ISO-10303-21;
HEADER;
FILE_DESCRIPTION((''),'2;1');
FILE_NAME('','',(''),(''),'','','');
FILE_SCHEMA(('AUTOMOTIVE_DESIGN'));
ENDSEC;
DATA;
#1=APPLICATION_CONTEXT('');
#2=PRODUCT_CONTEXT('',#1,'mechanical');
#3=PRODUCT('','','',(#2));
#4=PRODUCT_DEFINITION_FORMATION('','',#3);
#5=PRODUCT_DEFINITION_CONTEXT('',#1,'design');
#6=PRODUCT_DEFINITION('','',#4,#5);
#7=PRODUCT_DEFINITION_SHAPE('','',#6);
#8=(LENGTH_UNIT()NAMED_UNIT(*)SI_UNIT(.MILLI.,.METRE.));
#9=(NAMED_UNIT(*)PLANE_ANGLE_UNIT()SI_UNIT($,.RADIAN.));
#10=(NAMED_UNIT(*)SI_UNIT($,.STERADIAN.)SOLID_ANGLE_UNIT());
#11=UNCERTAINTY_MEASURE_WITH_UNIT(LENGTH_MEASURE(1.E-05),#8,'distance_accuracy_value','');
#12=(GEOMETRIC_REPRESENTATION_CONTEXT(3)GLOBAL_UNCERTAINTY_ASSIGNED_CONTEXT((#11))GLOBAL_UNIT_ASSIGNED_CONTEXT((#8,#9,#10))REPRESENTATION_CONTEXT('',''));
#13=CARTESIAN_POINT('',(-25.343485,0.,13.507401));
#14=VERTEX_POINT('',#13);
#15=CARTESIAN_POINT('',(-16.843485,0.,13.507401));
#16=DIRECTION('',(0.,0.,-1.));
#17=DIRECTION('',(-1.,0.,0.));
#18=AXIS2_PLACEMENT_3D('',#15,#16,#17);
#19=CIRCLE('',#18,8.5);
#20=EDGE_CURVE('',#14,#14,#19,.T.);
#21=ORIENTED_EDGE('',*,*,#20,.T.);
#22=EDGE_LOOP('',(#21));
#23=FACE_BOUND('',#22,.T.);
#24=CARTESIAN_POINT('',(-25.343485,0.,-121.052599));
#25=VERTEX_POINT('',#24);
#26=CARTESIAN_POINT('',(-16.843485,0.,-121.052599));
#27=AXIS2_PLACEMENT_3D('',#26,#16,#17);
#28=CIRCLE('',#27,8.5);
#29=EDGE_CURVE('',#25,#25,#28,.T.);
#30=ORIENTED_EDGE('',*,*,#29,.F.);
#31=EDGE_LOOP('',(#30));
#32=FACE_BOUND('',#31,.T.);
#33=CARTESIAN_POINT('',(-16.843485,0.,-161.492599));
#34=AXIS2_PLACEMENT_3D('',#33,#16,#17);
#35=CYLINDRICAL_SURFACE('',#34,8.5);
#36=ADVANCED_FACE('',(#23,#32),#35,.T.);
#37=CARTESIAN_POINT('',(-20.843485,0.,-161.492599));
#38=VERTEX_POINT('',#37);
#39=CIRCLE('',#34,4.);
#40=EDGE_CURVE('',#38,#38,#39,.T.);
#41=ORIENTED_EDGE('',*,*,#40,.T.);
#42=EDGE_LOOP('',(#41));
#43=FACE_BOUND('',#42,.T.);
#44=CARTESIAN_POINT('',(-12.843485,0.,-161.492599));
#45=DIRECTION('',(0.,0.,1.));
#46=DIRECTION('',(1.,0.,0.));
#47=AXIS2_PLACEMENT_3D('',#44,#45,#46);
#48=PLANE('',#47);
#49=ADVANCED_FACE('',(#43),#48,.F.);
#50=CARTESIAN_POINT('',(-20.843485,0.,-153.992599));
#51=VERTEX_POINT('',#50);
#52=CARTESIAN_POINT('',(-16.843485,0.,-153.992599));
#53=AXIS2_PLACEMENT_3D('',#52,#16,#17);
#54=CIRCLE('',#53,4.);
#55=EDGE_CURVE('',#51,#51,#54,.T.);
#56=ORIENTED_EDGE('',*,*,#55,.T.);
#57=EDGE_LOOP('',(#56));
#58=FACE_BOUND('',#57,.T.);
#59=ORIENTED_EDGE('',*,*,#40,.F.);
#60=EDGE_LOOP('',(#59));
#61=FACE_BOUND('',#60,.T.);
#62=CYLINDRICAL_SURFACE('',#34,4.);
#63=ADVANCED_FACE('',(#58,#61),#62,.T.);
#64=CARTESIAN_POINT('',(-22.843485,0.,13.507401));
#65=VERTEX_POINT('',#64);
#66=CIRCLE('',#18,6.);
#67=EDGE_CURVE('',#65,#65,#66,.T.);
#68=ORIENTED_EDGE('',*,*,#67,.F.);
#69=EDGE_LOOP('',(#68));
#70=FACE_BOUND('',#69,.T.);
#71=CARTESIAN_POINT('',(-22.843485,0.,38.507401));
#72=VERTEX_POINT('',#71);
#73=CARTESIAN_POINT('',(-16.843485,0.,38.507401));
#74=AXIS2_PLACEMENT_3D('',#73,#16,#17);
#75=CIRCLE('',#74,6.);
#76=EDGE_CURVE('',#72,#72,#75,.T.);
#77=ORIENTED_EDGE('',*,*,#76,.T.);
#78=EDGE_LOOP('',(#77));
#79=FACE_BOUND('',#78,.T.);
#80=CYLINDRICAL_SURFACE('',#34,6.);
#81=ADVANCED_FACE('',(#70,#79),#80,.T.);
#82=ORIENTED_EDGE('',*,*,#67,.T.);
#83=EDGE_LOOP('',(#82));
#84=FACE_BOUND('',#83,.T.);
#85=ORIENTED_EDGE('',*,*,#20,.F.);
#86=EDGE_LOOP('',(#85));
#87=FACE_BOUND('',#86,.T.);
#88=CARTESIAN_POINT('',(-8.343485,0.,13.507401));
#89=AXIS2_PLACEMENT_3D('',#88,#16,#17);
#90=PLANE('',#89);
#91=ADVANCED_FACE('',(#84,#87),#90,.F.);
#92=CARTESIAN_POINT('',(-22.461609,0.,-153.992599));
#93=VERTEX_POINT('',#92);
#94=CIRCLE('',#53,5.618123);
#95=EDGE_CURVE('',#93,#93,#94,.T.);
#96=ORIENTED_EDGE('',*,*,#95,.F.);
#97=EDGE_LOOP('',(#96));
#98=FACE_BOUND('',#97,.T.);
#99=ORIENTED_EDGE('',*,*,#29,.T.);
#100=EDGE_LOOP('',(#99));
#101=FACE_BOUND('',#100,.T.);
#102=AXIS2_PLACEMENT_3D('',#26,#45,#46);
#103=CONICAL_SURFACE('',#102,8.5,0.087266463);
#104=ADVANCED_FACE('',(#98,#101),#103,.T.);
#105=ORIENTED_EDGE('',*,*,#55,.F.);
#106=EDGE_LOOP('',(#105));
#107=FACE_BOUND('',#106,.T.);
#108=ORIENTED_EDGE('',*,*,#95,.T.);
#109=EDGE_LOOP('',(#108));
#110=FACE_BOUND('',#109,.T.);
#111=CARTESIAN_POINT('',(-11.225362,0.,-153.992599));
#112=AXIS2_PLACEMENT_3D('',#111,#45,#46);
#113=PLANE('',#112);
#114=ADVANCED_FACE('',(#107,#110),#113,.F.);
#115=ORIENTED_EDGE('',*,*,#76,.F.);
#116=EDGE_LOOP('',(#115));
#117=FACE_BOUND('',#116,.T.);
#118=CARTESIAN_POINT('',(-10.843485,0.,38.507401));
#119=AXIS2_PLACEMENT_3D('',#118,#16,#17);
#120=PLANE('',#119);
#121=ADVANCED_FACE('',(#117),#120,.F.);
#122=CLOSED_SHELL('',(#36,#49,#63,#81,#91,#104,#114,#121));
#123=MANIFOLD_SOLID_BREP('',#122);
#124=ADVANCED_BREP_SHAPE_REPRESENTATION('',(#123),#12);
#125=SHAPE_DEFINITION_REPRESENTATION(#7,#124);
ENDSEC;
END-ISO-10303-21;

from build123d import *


with BuildPart() as part:
    # Base Sketch → Revolve1 (revolve)
    with BuildSketch(Plane(origin=(0, 0, 0), x_dir=(1, 0, 0), z_dir=(0, 1, 0))):
        Polygon((-11.225361683, 153.992599386), (-12.843485106, 153.992599386), (-12.843485106, 161.492599386), (-16.843485106, 161.492599386), (-16.843485106, -13.507400614), (-16.843485106, -38.507400614), (-10.843485106, -38.507400614), (-10.843485106, -13.507400614), (-8.343485106, -13.507400614), (-8.343485106, 121.052599386), align=None)
    revolve(axis=Axis((-16.843485106, 0, -161.492599386), (0, 0, 1)))


solid = part.part
